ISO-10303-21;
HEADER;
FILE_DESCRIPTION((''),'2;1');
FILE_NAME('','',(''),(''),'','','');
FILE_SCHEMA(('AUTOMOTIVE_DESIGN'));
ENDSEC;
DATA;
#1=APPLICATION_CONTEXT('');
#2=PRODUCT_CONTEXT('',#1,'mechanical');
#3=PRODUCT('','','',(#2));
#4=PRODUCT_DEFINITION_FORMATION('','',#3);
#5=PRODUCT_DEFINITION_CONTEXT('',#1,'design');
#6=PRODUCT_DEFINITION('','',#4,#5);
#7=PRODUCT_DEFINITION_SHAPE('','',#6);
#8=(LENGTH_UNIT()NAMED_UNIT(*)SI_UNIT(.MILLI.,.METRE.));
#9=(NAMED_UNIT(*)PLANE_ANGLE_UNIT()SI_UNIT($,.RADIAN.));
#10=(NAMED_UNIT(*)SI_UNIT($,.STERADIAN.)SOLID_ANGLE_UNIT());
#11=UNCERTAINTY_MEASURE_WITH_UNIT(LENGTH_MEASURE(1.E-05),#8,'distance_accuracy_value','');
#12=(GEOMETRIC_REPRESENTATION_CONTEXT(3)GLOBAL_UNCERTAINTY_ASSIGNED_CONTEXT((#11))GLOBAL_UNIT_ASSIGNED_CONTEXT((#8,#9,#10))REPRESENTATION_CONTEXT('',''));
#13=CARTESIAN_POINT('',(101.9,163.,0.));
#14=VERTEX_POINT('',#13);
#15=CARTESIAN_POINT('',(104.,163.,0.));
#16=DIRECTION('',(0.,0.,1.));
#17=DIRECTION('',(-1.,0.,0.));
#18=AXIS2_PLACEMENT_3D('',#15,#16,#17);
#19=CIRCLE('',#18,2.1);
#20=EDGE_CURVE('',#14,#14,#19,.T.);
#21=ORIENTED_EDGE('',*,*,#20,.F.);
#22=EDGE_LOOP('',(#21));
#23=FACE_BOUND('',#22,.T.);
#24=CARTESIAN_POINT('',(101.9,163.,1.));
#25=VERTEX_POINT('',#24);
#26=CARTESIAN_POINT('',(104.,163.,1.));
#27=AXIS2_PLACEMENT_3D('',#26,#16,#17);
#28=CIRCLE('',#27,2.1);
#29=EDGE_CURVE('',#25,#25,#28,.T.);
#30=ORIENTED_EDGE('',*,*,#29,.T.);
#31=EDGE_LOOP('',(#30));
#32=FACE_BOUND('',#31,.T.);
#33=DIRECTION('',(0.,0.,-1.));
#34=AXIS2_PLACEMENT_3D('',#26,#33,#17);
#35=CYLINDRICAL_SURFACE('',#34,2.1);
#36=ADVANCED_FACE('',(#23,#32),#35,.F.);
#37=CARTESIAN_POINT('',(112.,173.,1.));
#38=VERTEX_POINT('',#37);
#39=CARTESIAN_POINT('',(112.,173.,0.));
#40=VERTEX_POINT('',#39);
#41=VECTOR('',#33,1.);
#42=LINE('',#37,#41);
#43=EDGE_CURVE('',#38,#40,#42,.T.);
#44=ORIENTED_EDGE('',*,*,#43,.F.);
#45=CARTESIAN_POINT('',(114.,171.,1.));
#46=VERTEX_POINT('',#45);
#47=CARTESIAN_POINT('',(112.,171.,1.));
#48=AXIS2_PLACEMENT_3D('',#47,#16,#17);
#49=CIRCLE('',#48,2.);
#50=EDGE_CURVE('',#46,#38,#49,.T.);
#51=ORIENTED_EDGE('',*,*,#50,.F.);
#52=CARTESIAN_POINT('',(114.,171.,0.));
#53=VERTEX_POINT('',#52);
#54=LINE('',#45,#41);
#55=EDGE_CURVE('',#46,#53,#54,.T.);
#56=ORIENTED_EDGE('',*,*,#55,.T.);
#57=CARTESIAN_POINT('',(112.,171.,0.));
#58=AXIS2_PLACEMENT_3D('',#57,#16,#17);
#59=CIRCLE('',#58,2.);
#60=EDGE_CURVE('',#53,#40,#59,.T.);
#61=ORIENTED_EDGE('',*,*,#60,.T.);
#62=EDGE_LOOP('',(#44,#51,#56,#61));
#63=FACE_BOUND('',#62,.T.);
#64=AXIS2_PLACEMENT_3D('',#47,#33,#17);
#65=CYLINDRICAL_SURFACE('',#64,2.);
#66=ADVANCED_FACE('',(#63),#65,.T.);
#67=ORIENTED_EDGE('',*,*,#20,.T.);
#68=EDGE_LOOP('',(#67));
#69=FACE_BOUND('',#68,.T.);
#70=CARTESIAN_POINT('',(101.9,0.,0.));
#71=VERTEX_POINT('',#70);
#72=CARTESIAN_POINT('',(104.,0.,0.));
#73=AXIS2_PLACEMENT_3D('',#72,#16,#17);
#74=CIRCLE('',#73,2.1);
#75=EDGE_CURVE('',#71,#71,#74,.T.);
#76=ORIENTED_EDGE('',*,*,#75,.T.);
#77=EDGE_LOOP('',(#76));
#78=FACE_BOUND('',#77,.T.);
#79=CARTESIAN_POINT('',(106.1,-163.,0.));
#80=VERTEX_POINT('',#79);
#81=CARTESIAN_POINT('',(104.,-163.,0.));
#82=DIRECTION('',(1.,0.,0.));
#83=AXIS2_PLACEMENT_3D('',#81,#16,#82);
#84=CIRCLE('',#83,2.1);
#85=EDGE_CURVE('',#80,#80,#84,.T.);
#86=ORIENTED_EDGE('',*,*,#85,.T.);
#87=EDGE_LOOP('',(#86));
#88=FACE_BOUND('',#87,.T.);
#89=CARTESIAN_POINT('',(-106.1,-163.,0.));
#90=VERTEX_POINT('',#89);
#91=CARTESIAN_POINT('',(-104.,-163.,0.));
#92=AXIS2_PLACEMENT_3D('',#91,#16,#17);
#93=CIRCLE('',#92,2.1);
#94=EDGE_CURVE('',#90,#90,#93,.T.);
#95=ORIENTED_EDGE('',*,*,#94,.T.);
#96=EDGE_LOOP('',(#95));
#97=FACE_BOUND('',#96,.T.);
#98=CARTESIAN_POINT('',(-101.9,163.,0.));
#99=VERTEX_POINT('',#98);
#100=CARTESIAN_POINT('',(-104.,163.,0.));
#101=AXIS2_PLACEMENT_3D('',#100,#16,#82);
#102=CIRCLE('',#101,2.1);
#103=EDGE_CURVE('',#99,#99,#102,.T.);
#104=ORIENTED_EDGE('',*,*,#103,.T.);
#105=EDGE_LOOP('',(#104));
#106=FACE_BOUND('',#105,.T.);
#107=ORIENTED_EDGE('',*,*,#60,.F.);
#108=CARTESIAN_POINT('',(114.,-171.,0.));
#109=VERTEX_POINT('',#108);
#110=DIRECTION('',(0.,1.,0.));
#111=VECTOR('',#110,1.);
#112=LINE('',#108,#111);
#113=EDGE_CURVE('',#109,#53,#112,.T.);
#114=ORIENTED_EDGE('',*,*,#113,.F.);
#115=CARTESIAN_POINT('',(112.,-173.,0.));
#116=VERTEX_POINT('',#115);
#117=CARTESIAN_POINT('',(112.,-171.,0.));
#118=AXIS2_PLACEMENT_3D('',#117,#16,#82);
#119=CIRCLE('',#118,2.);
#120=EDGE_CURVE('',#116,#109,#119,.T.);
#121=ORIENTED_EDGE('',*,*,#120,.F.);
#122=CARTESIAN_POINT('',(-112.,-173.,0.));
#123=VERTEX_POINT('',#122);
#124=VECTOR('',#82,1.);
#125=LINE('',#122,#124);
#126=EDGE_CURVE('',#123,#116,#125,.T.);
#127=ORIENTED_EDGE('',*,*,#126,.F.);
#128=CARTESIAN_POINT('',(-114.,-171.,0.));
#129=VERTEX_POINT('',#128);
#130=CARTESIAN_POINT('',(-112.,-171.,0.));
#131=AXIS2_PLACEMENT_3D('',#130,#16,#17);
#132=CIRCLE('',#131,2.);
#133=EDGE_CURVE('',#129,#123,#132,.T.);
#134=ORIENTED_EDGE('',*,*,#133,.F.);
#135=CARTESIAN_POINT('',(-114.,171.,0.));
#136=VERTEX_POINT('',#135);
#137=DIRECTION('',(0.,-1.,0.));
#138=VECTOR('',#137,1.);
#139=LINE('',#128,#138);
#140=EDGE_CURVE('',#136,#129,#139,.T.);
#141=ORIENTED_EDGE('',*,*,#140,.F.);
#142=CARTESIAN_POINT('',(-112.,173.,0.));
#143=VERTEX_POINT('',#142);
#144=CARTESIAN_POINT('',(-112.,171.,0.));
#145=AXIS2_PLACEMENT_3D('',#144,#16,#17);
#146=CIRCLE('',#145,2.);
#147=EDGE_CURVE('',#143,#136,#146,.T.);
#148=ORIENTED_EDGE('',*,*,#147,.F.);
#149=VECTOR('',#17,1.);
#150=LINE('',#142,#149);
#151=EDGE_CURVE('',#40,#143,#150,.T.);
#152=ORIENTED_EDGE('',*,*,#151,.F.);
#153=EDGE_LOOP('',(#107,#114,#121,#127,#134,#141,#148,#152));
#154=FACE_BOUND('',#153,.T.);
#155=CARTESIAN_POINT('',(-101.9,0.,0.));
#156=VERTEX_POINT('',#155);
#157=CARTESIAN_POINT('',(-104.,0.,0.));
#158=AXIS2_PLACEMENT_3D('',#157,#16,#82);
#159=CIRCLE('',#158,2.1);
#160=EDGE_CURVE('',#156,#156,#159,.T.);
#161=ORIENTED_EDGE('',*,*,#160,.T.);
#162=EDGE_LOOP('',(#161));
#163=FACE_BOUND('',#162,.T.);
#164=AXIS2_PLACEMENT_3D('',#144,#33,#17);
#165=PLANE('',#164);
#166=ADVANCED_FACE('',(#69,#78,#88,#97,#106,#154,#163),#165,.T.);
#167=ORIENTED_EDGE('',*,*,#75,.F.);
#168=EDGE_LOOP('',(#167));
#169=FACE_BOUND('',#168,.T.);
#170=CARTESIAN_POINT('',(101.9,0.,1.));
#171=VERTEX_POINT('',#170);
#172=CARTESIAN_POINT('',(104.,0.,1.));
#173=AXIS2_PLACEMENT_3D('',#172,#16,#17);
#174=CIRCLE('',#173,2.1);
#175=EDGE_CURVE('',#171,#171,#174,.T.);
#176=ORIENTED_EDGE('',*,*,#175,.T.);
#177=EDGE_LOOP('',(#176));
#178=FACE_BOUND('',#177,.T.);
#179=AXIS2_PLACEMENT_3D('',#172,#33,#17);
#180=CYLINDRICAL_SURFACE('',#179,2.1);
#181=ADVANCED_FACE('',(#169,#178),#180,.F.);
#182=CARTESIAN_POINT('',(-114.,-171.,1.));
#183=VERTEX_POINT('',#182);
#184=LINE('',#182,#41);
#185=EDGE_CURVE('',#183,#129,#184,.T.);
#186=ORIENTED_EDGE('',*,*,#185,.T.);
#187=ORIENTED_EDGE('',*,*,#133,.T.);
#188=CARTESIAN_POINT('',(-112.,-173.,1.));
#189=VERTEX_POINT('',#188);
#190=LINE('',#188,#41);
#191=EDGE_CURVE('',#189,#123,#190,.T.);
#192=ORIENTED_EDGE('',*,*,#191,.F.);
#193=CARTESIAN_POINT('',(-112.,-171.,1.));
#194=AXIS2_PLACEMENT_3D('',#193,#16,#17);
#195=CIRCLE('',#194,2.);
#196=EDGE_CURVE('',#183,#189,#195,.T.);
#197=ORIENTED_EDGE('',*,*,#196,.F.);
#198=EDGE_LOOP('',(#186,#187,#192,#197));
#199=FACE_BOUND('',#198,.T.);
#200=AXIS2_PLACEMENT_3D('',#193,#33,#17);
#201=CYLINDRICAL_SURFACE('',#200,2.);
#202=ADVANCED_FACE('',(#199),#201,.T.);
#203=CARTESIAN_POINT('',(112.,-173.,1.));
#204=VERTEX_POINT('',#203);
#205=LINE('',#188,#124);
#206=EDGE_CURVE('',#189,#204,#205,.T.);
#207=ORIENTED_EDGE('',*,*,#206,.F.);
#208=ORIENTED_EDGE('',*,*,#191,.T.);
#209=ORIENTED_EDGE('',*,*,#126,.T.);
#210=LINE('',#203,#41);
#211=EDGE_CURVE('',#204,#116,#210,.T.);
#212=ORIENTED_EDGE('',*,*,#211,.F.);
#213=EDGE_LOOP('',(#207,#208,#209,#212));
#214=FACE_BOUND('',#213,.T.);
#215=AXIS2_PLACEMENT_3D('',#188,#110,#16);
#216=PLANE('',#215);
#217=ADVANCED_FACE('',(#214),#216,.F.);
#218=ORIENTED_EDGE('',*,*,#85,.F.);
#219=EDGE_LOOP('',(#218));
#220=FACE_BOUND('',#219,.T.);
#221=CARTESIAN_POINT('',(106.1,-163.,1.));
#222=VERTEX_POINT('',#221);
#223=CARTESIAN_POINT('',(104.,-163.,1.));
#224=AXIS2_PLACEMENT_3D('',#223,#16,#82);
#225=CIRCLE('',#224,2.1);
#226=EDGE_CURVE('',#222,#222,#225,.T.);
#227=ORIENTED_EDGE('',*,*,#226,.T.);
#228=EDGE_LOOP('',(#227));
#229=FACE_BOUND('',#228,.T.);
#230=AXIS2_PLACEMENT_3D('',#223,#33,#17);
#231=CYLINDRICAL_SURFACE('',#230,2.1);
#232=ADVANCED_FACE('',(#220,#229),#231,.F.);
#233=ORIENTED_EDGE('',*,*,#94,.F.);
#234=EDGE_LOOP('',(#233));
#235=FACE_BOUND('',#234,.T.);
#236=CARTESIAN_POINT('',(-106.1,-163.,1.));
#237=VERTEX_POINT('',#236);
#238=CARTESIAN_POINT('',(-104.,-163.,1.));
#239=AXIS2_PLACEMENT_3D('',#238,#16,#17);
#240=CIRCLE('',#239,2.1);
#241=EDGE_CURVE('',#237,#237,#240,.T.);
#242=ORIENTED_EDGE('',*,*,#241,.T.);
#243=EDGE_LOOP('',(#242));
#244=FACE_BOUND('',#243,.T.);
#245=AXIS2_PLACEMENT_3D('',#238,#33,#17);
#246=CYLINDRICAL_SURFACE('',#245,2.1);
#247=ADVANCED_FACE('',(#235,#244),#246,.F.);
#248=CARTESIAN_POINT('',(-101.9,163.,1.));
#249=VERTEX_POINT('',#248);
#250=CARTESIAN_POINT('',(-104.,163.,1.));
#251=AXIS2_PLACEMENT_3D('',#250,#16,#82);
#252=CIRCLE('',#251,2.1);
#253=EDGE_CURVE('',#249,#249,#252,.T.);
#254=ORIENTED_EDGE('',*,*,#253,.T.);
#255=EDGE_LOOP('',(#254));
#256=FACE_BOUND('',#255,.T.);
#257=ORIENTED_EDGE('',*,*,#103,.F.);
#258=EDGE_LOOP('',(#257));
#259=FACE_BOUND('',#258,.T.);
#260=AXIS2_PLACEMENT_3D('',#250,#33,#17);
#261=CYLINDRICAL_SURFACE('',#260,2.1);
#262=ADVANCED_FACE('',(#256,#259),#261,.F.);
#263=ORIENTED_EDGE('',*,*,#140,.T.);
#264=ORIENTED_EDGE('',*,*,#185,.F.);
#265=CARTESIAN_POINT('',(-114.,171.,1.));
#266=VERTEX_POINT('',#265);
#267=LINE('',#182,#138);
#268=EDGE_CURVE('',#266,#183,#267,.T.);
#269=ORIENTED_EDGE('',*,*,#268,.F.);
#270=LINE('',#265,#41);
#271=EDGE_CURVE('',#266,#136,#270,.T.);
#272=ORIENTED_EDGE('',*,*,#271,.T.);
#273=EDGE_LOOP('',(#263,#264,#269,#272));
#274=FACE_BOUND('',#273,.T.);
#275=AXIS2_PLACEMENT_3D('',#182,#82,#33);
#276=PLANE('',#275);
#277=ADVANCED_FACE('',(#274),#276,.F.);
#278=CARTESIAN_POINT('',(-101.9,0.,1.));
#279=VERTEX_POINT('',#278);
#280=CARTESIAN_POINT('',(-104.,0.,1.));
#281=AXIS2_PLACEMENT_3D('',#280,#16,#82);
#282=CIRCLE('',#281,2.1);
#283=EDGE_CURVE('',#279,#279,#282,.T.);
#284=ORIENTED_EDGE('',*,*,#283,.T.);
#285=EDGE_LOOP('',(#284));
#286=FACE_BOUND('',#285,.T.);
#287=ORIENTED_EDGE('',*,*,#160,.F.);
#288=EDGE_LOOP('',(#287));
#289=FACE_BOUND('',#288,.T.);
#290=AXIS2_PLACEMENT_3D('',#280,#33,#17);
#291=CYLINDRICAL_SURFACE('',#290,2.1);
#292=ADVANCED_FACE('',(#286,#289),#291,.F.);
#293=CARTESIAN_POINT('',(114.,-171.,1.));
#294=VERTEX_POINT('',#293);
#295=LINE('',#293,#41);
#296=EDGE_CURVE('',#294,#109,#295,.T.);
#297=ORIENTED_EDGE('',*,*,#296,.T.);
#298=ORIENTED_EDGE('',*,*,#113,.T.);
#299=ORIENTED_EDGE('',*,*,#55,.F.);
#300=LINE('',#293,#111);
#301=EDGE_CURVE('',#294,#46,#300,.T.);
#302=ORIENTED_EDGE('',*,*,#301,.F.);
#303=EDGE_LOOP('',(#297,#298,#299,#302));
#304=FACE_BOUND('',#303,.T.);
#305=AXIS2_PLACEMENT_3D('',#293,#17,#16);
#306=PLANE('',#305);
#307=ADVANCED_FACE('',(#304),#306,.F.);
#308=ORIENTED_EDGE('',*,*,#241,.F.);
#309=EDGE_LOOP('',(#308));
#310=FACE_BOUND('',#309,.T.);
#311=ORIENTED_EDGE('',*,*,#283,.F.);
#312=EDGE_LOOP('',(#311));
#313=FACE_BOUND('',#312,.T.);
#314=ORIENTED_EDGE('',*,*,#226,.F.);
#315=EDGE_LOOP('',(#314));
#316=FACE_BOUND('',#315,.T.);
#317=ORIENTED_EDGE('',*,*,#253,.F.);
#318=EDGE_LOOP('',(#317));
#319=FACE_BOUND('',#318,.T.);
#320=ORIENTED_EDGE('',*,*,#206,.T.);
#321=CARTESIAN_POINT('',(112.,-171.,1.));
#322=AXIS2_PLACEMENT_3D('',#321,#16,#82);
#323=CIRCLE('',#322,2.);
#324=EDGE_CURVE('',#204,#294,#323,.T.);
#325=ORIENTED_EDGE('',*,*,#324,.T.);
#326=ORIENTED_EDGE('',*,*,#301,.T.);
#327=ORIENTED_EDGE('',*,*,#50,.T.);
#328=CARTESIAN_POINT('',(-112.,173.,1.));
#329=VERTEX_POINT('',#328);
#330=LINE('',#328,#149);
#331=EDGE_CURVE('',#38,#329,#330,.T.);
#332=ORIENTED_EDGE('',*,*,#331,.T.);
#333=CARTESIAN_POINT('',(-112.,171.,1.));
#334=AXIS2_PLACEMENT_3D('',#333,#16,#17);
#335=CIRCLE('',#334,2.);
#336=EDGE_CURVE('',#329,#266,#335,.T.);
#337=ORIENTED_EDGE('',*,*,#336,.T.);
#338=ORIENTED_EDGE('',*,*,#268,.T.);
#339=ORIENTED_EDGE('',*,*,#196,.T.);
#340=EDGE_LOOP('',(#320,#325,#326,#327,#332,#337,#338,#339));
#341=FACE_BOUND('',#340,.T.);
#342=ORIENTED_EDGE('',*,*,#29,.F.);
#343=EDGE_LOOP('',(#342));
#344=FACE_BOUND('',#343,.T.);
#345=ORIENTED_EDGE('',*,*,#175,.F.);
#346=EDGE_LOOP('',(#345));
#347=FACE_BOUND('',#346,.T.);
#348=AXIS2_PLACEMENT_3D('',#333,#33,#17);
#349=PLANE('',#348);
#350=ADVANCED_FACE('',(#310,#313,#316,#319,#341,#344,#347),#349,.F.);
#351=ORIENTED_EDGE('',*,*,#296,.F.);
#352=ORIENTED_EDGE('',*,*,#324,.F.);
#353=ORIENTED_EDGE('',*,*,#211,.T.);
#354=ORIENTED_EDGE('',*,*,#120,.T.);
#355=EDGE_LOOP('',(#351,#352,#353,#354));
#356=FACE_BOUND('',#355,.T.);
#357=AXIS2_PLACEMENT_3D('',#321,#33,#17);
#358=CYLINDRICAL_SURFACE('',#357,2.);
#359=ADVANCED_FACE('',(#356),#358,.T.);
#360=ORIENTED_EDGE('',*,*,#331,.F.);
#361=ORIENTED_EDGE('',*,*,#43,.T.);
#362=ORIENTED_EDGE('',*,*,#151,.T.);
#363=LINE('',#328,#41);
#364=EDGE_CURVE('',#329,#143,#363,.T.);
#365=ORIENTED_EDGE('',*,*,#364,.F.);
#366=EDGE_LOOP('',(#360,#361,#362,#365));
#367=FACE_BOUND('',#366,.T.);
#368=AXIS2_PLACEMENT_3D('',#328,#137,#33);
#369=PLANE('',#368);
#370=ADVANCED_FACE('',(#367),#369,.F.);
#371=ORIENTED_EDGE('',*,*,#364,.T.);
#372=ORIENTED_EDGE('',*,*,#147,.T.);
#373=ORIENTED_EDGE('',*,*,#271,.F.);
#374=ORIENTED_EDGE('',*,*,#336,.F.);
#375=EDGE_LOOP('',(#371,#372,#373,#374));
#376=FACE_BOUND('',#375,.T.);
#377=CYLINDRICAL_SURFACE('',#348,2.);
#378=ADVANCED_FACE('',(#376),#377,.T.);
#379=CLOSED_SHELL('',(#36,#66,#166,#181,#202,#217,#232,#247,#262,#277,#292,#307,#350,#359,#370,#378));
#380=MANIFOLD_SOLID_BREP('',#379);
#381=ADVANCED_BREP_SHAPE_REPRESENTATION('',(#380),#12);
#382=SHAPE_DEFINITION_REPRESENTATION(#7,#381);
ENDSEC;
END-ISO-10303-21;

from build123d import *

# Parameters (mm, degrees)
SKETCH_1_R      = 2.1
EXTRUDE_1_DEPTH = 1


with BuildPart() as part:
    # Эскиз1 → Вытянуть1 (new body)
    with BuildSketch(Plane.XY):
        with BuildLine():
            Line((-112, -173), (112, -173))
            ThreePointArc((112, -173), (113.414213562, -172.414213562), (114, -171))
            Line((114, -171), (114, 171))
            ThreePointArc((114, 171), (113.414213562, 172.414213562), (112, 173))
            Line((112, 173), (-112, 173))
            ThreePointArc((-112, 173), (-113.414213562, 172.414213562), (-114, 171))
            Line((-114, 171), (-114, -171))
            ThreePointArc((-114, -171), (-113.414213562, -172.414213562), (-112, -173))
        make_face()
        with Locations((-104, 163)):
            Circle(SKETCH_1_R, mode=Mode.SUBTRACT)
        with Locations((-104, 0)):
            Circle(SKETCH_1_R, mode=Mode.SUBTRACT)
        with Locations(Location((-104, -163, 0), (0, 0, 180))):
            Circle(SKETCH_1_R, mode=Mode.SUBTRACT)
        with Locations((104, -163)):
            Circle(SKETCH_1_R, mode=Mode.SUBTRACT)
        with Locations(Location((104, 0, 0), (0, 0, 180))):
            Circle(SKETCH_1_R, mode=Mode.SUBTRACT)
        with Locations(Location((104, 163, 0), (0, 0, 180))):
            Circle(SKETCH_1_R, mode=Mode.SUBTRACT)
    extrude(amount=EXTRUDE_1_DEPTH)


solid = part.part
